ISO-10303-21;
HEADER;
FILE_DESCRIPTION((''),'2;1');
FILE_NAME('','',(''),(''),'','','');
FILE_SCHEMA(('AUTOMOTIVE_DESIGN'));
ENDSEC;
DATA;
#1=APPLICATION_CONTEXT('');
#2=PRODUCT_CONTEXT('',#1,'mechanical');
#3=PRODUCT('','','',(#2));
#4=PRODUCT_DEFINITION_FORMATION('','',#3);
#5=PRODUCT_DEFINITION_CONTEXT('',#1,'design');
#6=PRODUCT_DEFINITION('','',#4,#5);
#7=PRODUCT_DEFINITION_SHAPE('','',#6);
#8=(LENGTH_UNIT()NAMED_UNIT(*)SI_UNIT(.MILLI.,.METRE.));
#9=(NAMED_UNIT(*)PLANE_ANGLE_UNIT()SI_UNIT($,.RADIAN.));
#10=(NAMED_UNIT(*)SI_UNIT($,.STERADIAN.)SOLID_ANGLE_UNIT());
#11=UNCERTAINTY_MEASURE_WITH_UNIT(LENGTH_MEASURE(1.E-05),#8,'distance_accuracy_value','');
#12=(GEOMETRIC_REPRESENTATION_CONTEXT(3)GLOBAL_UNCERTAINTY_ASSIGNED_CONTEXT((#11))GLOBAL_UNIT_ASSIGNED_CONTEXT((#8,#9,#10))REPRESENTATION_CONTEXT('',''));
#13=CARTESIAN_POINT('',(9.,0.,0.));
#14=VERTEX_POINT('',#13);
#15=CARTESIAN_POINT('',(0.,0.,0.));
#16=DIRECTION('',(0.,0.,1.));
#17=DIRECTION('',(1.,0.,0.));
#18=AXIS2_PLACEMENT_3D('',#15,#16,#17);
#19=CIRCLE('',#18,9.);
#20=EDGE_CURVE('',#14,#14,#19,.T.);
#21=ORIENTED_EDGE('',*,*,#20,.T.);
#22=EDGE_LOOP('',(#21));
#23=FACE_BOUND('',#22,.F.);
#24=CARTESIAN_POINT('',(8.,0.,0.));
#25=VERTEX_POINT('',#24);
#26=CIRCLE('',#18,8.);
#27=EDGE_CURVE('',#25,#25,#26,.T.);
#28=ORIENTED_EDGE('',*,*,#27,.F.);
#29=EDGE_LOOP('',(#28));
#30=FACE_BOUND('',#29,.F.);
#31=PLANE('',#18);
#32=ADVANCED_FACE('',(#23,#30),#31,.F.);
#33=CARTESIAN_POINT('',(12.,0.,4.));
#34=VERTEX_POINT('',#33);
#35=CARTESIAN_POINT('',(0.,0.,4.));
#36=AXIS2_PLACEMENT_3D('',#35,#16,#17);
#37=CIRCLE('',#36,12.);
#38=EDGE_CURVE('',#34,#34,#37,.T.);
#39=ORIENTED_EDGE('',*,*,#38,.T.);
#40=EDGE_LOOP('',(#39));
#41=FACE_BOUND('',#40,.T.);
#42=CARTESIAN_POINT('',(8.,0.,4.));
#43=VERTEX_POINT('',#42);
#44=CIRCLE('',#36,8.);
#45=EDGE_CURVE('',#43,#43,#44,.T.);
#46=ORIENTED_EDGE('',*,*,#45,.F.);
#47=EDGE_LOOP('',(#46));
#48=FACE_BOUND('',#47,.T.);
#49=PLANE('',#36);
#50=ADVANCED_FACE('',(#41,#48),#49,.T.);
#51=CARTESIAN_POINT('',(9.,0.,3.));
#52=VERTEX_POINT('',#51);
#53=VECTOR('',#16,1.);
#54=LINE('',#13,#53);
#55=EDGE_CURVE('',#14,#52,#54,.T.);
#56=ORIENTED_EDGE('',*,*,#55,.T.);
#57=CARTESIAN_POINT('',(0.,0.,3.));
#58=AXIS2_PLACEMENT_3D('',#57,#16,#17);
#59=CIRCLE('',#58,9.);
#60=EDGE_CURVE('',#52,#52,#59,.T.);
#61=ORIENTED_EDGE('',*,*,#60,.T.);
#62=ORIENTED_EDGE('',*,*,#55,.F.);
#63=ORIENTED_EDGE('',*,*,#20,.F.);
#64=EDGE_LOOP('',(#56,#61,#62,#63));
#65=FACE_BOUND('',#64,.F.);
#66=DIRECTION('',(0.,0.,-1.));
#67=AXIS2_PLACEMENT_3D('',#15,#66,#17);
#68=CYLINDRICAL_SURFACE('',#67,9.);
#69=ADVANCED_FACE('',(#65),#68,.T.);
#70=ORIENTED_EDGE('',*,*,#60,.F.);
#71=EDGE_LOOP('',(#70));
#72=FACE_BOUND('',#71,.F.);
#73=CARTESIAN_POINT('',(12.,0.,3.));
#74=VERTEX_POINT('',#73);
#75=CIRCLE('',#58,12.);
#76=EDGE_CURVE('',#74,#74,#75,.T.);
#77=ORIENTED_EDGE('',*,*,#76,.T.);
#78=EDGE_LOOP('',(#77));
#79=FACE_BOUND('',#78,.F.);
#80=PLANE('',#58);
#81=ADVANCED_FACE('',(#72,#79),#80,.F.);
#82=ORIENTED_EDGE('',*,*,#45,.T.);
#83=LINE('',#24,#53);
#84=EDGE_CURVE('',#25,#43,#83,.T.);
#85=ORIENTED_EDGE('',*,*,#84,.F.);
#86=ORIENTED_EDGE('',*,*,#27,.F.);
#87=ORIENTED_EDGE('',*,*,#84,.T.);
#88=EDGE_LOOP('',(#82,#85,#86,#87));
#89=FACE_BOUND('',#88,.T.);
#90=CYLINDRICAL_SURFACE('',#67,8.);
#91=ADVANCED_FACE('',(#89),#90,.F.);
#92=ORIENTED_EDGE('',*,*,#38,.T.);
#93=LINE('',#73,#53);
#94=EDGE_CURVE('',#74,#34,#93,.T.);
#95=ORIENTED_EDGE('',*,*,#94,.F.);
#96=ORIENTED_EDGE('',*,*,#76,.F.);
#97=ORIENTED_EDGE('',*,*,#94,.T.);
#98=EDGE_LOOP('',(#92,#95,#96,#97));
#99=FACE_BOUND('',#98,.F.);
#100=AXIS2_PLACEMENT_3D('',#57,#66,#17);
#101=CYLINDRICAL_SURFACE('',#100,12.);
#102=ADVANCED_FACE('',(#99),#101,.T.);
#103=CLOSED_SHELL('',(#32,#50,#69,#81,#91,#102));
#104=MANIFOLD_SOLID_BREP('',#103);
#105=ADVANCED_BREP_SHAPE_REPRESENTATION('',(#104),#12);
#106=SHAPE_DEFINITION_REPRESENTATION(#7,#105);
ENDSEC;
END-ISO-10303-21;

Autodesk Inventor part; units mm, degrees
ref_plane "YZ Plane" through (0, 0, 0) normal (1, 0, 0) x (0, 1, 0)
ref_plane "XZ Plane" through (0, 0, 0) normal (0, 1, 0) x (-1, 0, 0)
ref_plane "XY Plane" through (0, 0, 0) normal (0, 0, 1) x (1, 0, 0)
sketch "スケッチ1" plane through (0, 0, 0) normal (0, 0, 1) x (1, 0, 0)
  circle A0 centre (0, 0) radius 8
  circle A1 centre (0, 0) radius 9
  dimension "d0" = 16
  dimension "d1" = 18
extrude "押し出し1" add sketch "スケッチ1" along normal blind 3
sketch "スケッチ2" plane through (0, 0, 3) normal (0, 0, 1) x (1, 0, 0)
  circle A0 centre (0, 0) radius 8 projected
  circle A1 centre (0, 0) radius 9 projected
  circle A2 centre (0, 0) radius 12
  dimension "d4" = 24
extrude "押し出し2" add sketch "スケッチ2" along normal blind 1 contours A1 | A2
properties part number "オイレスフランジ付き161804" material "アセタール樹脂、黒"
